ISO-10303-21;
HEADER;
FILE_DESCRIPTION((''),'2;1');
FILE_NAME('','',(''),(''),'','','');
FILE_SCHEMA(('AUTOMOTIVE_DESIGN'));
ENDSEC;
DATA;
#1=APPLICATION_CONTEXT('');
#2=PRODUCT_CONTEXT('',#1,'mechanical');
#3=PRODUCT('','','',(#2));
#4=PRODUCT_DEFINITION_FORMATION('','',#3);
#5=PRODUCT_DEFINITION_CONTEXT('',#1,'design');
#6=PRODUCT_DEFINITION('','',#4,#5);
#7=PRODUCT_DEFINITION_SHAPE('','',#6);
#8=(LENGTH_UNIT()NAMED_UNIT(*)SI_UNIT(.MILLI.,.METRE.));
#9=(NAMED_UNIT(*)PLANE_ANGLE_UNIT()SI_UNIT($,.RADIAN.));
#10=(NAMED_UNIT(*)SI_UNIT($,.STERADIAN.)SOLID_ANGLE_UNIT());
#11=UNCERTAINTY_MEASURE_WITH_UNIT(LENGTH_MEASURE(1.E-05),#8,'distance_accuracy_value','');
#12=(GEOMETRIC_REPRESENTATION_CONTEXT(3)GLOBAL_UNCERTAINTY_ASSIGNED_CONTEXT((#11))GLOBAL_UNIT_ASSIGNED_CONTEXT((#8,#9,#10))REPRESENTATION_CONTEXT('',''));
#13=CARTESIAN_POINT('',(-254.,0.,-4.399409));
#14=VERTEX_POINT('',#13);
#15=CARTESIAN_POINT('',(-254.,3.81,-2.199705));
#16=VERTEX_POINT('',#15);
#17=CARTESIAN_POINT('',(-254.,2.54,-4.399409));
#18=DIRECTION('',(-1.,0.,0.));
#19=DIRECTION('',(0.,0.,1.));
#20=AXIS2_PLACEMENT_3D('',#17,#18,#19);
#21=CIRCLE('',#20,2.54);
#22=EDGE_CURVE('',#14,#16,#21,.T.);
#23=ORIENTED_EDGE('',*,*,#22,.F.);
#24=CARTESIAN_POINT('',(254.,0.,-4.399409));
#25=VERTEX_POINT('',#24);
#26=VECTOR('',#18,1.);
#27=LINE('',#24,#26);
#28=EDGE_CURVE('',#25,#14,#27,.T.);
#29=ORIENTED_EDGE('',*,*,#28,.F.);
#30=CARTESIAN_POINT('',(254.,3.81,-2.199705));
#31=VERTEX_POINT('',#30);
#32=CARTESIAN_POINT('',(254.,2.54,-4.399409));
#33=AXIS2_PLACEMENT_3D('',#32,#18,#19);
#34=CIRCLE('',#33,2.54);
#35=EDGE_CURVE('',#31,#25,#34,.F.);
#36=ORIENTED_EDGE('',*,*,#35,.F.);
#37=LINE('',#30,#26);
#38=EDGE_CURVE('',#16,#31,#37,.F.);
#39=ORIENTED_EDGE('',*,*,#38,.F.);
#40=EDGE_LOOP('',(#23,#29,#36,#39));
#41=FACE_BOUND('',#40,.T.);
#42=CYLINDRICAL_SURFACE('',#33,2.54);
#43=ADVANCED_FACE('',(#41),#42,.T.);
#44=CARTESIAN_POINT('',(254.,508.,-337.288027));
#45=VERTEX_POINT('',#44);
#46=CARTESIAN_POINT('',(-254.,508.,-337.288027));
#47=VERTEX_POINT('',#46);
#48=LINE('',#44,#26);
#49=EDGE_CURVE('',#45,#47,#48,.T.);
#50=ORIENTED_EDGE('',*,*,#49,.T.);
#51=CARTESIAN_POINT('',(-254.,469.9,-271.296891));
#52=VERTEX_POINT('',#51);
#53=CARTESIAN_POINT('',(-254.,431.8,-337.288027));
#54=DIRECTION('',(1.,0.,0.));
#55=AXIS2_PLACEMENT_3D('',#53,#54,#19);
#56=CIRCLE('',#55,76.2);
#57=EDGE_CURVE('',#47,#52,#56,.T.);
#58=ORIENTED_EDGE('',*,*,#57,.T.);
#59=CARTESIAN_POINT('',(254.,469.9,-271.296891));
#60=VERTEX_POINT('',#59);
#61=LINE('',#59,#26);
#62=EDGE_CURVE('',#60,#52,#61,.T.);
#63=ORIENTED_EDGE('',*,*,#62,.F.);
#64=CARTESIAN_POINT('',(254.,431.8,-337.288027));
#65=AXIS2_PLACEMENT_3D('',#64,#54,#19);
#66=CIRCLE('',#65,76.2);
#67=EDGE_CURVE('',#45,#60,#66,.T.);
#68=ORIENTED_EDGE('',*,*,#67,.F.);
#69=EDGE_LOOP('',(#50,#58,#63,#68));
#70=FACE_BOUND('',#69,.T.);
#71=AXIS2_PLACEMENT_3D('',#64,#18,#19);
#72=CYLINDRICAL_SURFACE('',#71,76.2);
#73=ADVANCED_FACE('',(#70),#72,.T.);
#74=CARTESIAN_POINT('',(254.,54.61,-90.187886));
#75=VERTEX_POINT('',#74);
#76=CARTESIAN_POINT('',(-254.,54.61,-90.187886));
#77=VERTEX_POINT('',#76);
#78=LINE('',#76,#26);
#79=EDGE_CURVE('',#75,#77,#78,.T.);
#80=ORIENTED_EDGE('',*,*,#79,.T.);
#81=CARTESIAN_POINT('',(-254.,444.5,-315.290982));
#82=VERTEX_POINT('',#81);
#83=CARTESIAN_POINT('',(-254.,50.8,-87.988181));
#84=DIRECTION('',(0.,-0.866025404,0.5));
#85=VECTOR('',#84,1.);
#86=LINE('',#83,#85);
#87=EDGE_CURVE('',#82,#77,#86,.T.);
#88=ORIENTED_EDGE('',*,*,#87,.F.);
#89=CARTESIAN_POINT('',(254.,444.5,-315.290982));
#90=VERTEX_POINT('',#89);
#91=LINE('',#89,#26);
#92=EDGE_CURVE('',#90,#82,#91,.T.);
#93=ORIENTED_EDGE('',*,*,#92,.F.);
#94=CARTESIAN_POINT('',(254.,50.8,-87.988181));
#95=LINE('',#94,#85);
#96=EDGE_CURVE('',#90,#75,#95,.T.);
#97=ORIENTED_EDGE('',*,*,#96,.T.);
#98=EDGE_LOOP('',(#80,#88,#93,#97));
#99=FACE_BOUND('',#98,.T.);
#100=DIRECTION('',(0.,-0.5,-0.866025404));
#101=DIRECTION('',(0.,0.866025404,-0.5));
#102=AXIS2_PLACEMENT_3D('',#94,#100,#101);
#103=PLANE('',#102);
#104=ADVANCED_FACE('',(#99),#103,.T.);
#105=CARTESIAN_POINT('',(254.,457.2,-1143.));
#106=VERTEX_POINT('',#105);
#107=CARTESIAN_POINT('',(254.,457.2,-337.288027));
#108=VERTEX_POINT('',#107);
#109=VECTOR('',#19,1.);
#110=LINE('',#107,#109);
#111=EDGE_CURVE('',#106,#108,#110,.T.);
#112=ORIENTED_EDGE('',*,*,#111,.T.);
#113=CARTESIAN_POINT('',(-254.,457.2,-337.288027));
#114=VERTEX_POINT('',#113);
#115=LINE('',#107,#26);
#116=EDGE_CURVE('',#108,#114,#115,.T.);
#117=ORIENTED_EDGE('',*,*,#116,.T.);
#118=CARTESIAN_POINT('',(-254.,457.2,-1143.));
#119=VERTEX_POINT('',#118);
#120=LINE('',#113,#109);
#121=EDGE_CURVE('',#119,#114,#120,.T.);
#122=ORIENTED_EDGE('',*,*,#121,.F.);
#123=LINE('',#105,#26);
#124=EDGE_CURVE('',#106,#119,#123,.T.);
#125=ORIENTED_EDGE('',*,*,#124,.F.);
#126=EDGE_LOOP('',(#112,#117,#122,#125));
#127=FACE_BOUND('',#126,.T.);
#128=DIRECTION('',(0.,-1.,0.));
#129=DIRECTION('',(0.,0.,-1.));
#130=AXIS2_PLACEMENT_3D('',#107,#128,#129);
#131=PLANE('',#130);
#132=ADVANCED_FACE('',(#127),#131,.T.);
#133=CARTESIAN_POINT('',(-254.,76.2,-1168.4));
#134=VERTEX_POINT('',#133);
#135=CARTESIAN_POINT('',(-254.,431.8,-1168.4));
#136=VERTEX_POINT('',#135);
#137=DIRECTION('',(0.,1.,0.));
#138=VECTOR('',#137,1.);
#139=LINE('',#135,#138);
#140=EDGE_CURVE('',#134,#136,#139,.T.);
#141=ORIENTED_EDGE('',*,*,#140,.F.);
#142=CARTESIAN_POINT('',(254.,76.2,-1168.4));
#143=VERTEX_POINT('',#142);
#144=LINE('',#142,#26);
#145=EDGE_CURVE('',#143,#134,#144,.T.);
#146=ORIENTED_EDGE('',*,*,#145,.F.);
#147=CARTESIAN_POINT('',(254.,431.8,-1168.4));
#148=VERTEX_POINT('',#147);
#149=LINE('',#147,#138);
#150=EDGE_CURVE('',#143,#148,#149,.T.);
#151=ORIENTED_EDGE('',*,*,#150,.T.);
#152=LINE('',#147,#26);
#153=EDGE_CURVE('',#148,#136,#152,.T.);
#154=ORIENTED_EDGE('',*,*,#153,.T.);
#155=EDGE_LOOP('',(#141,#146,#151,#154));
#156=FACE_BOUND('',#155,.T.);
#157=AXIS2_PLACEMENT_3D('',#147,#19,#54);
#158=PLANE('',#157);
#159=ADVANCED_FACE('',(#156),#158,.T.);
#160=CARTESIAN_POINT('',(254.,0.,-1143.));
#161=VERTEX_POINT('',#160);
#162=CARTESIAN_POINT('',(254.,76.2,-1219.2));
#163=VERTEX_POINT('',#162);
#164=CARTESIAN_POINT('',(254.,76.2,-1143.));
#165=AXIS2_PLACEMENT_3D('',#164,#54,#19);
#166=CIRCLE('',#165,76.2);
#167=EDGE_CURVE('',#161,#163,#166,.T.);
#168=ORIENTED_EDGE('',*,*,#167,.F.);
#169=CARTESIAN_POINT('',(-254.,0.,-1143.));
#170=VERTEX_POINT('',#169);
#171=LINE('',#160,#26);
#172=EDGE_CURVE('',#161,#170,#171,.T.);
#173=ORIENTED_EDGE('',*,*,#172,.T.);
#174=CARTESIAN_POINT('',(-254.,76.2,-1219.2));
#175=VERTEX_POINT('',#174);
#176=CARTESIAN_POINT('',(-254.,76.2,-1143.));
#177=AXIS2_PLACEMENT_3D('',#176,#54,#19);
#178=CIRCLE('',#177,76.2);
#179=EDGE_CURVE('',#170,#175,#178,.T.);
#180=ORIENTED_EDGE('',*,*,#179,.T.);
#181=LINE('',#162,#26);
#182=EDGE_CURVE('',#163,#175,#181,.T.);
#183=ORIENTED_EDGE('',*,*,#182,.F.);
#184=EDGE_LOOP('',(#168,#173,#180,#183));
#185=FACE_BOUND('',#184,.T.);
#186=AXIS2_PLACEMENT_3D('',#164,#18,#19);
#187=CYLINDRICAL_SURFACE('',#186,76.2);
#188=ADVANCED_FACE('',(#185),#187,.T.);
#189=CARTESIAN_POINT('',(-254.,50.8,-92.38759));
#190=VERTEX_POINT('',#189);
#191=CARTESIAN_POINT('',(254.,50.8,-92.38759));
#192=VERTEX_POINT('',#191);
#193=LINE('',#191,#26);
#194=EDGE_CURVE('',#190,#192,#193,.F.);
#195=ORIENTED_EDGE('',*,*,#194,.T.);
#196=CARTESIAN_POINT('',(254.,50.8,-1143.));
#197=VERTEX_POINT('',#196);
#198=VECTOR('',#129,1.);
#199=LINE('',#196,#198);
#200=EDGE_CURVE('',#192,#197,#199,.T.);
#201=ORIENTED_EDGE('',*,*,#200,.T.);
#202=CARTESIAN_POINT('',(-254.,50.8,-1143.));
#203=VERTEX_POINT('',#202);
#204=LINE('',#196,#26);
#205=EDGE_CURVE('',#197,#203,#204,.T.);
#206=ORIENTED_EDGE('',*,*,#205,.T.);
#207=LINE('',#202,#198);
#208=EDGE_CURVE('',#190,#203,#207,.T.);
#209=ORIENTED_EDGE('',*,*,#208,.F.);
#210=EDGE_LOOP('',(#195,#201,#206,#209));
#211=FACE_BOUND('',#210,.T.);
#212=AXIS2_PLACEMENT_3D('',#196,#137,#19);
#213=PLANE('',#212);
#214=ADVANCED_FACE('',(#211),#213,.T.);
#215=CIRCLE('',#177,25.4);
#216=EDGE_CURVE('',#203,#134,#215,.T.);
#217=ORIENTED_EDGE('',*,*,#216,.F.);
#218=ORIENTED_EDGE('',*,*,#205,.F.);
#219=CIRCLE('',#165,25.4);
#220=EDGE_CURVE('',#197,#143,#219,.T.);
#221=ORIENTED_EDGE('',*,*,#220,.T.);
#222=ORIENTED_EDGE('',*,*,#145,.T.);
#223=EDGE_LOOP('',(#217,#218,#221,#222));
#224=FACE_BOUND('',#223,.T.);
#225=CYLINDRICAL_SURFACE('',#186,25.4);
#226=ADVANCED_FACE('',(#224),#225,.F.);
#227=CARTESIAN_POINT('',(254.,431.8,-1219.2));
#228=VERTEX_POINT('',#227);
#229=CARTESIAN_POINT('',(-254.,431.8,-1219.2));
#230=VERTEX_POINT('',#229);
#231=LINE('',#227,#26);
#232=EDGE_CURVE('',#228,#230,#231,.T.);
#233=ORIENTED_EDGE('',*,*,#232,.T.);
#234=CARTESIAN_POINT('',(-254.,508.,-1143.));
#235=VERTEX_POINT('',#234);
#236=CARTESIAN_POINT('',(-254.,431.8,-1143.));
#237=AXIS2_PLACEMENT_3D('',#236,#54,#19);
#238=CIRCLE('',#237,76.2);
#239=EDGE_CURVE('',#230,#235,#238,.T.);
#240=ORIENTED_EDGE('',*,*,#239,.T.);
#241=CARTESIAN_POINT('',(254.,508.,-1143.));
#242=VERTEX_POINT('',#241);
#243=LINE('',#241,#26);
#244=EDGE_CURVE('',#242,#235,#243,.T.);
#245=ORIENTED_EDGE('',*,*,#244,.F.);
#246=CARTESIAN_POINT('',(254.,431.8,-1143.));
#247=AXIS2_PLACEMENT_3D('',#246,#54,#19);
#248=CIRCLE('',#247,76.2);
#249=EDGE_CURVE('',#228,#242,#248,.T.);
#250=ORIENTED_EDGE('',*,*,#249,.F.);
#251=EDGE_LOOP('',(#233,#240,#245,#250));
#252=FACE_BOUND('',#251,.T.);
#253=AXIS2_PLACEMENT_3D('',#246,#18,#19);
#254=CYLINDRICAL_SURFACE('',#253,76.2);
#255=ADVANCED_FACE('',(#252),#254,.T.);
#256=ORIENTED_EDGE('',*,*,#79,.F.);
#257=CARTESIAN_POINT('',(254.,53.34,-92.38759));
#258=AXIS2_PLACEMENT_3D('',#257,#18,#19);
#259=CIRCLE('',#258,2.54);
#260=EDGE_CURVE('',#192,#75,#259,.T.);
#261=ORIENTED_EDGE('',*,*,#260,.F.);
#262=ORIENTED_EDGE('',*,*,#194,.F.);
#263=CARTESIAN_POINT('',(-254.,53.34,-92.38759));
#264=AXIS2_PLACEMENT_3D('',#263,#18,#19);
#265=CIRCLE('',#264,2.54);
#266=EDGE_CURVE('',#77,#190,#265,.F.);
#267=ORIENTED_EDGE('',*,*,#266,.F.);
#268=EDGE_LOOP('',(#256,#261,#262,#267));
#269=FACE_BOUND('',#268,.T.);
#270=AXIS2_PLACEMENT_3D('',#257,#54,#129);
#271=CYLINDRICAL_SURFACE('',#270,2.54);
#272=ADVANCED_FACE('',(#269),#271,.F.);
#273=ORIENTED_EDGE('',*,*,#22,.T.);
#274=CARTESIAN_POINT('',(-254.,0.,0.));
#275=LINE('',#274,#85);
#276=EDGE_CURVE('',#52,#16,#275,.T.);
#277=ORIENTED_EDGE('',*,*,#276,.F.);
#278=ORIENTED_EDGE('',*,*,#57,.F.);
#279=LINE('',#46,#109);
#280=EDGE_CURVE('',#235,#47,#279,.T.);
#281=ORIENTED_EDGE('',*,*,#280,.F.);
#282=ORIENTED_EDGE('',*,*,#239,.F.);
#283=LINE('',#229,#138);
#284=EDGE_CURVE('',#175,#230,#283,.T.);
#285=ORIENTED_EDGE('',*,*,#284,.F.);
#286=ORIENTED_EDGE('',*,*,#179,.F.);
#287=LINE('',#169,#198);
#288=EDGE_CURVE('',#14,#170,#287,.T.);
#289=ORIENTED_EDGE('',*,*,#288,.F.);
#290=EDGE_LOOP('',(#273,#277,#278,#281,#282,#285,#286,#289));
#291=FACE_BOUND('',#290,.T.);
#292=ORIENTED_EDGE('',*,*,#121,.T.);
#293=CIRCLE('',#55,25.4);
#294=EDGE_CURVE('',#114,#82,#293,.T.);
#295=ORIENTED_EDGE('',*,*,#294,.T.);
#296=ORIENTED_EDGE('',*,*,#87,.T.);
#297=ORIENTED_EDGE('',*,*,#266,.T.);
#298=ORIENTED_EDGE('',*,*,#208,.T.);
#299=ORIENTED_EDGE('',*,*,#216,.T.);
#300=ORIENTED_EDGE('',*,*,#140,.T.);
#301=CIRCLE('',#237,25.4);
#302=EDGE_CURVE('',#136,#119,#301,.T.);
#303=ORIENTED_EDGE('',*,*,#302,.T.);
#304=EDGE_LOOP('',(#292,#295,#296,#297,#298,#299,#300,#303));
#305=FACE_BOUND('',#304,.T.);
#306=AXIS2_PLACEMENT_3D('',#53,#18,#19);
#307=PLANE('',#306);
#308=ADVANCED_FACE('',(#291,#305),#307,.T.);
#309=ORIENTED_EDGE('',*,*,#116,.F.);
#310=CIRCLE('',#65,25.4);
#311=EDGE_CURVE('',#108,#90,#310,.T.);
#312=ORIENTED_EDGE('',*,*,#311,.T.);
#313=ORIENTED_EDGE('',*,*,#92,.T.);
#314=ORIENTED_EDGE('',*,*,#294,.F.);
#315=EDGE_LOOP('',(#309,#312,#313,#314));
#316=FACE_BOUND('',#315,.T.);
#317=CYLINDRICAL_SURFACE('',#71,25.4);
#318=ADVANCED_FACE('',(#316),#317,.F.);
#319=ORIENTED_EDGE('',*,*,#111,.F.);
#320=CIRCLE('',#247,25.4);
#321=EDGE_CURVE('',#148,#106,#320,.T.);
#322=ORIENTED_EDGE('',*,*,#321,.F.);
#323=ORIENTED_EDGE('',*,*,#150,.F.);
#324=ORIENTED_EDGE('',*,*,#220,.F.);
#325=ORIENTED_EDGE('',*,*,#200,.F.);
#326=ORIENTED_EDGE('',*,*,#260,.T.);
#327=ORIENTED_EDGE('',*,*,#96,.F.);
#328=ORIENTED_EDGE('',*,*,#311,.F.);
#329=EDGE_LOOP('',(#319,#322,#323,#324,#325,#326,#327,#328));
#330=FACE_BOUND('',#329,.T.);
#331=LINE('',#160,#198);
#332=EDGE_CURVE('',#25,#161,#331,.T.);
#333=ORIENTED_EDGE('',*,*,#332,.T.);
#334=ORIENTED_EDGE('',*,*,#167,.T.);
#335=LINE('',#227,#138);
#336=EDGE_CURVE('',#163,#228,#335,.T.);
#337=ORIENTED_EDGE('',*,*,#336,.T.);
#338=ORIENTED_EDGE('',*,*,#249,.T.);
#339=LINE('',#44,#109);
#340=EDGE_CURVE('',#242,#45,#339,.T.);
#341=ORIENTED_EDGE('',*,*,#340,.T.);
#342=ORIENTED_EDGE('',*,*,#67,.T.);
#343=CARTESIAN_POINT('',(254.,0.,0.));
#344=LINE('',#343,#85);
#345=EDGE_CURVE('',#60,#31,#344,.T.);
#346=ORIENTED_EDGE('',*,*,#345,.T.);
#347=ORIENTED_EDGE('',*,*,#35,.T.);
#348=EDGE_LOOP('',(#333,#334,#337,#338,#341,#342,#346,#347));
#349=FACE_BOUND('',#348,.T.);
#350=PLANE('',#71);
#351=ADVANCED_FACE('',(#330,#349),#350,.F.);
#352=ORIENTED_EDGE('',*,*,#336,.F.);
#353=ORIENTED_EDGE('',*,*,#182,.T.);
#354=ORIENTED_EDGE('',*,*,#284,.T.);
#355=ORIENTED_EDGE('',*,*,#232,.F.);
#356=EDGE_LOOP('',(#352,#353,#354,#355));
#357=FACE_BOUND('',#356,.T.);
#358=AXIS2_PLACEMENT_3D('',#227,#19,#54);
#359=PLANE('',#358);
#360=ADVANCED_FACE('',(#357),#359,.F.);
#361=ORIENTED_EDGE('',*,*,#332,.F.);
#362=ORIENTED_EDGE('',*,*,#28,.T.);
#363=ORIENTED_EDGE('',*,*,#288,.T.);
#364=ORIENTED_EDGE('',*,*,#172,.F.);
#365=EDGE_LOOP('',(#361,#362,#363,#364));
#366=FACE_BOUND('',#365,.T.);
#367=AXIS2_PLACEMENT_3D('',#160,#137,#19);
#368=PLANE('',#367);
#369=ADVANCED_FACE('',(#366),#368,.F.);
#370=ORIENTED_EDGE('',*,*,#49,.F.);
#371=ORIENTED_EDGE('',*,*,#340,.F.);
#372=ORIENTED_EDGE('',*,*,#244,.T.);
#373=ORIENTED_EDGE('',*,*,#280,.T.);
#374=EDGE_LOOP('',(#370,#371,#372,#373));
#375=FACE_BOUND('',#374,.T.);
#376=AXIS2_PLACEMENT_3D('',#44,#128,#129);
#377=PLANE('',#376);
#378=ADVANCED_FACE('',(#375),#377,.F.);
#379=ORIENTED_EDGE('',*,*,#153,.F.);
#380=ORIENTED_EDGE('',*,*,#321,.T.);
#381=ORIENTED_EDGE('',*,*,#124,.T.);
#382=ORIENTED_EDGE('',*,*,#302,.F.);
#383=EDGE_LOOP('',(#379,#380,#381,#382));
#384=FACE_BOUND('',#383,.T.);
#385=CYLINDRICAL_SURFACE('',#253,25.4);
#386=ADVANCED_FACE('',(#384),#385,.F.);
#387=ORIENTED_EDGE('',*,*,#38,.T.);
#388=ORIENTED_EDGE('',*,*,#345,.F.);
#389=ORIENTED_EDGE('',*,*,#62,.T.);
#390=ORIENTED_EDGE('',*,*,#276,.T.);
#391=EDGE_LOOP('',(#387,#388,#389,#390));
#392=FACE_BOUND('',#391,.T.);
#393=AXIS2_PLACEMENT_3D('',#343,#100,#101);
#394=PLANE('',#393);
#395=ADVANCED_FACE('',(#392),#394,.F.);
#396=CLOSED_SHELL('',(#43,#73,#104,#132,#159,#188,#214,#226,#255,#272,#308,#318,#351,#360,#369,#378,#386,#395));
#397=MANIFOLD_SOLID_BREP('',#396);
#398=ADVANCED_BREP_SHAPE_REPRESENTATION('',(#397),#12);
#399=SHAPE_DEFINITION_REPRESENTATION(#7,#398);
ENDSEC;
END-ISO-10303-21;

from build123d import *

# Parameters (mm, degrees)
BOSS_EXTRUDE1_DEPTH = 254
FILLET1_R           = 2.54


with BuildPart() as part:
    # Sketch1 → Boss-Extrude1 (new, symmetric)
    with BuildSketch(Plane(origin=(0, 0, 0), x_dir=(0, 0, -1), z_dir=(1, 0, 0))):
        with BuildLine():
            Line((0, 0), (271.296891492, 469.9))
            ThreePointArc((271.296891492, 469.9), (299.188027261, 497.791135768), (337.288027261, 508))
            Line((337.288027261, 508), (1143, 508))
            ThreePointArc((1143, 508), (1196.881536726, 485.681536726), (1219.2, 431.8))
            Line((1219.2, 431.8), (1219.2, 76.2))
            ThreePointArc((1219.2, 76.2), (1196.881536726, 22.318463274), (1143, 0))
            Line((1143, 0), (0, 0))
        make_face()
        with BuildLine():
            Line((337.288027261, 457.2), (1143, 457.2))
            ThreePointArc((1143, 457.2), (1160.960512242, 449.760512242), (1168.4, 431.8))
            Line((1168.4, 431.8), (1168.4, 76.2))
            ThreePointArc((1168.4, 76.2), (1160.960512242, 58.239487758), (1143, 50.8))
            Line((1143, 50.8), (87.988181024, 50.8))
            Line((87.988181024, 50.8), (315.290982004, 444.5))
            ThreePointArc((315.290982004, 444.5), (324.588027261, 453.797045256), (337.288027261, 457.2))
        make_face(mode=Mode.SUBTRACT)
    extrude(amount=BOSS_EXTRUDE1_DEPTH, both=True)

    # Fillet1
    fillet1_edges = [part.edges().sort_by_distance(p)[0] for p in [
        (0, 0, 0),
        (0, 50.8, -87.988181024),
    ]]
    fillet(fillet1_edges, radius=FILLET1_R)


solid = part.part
